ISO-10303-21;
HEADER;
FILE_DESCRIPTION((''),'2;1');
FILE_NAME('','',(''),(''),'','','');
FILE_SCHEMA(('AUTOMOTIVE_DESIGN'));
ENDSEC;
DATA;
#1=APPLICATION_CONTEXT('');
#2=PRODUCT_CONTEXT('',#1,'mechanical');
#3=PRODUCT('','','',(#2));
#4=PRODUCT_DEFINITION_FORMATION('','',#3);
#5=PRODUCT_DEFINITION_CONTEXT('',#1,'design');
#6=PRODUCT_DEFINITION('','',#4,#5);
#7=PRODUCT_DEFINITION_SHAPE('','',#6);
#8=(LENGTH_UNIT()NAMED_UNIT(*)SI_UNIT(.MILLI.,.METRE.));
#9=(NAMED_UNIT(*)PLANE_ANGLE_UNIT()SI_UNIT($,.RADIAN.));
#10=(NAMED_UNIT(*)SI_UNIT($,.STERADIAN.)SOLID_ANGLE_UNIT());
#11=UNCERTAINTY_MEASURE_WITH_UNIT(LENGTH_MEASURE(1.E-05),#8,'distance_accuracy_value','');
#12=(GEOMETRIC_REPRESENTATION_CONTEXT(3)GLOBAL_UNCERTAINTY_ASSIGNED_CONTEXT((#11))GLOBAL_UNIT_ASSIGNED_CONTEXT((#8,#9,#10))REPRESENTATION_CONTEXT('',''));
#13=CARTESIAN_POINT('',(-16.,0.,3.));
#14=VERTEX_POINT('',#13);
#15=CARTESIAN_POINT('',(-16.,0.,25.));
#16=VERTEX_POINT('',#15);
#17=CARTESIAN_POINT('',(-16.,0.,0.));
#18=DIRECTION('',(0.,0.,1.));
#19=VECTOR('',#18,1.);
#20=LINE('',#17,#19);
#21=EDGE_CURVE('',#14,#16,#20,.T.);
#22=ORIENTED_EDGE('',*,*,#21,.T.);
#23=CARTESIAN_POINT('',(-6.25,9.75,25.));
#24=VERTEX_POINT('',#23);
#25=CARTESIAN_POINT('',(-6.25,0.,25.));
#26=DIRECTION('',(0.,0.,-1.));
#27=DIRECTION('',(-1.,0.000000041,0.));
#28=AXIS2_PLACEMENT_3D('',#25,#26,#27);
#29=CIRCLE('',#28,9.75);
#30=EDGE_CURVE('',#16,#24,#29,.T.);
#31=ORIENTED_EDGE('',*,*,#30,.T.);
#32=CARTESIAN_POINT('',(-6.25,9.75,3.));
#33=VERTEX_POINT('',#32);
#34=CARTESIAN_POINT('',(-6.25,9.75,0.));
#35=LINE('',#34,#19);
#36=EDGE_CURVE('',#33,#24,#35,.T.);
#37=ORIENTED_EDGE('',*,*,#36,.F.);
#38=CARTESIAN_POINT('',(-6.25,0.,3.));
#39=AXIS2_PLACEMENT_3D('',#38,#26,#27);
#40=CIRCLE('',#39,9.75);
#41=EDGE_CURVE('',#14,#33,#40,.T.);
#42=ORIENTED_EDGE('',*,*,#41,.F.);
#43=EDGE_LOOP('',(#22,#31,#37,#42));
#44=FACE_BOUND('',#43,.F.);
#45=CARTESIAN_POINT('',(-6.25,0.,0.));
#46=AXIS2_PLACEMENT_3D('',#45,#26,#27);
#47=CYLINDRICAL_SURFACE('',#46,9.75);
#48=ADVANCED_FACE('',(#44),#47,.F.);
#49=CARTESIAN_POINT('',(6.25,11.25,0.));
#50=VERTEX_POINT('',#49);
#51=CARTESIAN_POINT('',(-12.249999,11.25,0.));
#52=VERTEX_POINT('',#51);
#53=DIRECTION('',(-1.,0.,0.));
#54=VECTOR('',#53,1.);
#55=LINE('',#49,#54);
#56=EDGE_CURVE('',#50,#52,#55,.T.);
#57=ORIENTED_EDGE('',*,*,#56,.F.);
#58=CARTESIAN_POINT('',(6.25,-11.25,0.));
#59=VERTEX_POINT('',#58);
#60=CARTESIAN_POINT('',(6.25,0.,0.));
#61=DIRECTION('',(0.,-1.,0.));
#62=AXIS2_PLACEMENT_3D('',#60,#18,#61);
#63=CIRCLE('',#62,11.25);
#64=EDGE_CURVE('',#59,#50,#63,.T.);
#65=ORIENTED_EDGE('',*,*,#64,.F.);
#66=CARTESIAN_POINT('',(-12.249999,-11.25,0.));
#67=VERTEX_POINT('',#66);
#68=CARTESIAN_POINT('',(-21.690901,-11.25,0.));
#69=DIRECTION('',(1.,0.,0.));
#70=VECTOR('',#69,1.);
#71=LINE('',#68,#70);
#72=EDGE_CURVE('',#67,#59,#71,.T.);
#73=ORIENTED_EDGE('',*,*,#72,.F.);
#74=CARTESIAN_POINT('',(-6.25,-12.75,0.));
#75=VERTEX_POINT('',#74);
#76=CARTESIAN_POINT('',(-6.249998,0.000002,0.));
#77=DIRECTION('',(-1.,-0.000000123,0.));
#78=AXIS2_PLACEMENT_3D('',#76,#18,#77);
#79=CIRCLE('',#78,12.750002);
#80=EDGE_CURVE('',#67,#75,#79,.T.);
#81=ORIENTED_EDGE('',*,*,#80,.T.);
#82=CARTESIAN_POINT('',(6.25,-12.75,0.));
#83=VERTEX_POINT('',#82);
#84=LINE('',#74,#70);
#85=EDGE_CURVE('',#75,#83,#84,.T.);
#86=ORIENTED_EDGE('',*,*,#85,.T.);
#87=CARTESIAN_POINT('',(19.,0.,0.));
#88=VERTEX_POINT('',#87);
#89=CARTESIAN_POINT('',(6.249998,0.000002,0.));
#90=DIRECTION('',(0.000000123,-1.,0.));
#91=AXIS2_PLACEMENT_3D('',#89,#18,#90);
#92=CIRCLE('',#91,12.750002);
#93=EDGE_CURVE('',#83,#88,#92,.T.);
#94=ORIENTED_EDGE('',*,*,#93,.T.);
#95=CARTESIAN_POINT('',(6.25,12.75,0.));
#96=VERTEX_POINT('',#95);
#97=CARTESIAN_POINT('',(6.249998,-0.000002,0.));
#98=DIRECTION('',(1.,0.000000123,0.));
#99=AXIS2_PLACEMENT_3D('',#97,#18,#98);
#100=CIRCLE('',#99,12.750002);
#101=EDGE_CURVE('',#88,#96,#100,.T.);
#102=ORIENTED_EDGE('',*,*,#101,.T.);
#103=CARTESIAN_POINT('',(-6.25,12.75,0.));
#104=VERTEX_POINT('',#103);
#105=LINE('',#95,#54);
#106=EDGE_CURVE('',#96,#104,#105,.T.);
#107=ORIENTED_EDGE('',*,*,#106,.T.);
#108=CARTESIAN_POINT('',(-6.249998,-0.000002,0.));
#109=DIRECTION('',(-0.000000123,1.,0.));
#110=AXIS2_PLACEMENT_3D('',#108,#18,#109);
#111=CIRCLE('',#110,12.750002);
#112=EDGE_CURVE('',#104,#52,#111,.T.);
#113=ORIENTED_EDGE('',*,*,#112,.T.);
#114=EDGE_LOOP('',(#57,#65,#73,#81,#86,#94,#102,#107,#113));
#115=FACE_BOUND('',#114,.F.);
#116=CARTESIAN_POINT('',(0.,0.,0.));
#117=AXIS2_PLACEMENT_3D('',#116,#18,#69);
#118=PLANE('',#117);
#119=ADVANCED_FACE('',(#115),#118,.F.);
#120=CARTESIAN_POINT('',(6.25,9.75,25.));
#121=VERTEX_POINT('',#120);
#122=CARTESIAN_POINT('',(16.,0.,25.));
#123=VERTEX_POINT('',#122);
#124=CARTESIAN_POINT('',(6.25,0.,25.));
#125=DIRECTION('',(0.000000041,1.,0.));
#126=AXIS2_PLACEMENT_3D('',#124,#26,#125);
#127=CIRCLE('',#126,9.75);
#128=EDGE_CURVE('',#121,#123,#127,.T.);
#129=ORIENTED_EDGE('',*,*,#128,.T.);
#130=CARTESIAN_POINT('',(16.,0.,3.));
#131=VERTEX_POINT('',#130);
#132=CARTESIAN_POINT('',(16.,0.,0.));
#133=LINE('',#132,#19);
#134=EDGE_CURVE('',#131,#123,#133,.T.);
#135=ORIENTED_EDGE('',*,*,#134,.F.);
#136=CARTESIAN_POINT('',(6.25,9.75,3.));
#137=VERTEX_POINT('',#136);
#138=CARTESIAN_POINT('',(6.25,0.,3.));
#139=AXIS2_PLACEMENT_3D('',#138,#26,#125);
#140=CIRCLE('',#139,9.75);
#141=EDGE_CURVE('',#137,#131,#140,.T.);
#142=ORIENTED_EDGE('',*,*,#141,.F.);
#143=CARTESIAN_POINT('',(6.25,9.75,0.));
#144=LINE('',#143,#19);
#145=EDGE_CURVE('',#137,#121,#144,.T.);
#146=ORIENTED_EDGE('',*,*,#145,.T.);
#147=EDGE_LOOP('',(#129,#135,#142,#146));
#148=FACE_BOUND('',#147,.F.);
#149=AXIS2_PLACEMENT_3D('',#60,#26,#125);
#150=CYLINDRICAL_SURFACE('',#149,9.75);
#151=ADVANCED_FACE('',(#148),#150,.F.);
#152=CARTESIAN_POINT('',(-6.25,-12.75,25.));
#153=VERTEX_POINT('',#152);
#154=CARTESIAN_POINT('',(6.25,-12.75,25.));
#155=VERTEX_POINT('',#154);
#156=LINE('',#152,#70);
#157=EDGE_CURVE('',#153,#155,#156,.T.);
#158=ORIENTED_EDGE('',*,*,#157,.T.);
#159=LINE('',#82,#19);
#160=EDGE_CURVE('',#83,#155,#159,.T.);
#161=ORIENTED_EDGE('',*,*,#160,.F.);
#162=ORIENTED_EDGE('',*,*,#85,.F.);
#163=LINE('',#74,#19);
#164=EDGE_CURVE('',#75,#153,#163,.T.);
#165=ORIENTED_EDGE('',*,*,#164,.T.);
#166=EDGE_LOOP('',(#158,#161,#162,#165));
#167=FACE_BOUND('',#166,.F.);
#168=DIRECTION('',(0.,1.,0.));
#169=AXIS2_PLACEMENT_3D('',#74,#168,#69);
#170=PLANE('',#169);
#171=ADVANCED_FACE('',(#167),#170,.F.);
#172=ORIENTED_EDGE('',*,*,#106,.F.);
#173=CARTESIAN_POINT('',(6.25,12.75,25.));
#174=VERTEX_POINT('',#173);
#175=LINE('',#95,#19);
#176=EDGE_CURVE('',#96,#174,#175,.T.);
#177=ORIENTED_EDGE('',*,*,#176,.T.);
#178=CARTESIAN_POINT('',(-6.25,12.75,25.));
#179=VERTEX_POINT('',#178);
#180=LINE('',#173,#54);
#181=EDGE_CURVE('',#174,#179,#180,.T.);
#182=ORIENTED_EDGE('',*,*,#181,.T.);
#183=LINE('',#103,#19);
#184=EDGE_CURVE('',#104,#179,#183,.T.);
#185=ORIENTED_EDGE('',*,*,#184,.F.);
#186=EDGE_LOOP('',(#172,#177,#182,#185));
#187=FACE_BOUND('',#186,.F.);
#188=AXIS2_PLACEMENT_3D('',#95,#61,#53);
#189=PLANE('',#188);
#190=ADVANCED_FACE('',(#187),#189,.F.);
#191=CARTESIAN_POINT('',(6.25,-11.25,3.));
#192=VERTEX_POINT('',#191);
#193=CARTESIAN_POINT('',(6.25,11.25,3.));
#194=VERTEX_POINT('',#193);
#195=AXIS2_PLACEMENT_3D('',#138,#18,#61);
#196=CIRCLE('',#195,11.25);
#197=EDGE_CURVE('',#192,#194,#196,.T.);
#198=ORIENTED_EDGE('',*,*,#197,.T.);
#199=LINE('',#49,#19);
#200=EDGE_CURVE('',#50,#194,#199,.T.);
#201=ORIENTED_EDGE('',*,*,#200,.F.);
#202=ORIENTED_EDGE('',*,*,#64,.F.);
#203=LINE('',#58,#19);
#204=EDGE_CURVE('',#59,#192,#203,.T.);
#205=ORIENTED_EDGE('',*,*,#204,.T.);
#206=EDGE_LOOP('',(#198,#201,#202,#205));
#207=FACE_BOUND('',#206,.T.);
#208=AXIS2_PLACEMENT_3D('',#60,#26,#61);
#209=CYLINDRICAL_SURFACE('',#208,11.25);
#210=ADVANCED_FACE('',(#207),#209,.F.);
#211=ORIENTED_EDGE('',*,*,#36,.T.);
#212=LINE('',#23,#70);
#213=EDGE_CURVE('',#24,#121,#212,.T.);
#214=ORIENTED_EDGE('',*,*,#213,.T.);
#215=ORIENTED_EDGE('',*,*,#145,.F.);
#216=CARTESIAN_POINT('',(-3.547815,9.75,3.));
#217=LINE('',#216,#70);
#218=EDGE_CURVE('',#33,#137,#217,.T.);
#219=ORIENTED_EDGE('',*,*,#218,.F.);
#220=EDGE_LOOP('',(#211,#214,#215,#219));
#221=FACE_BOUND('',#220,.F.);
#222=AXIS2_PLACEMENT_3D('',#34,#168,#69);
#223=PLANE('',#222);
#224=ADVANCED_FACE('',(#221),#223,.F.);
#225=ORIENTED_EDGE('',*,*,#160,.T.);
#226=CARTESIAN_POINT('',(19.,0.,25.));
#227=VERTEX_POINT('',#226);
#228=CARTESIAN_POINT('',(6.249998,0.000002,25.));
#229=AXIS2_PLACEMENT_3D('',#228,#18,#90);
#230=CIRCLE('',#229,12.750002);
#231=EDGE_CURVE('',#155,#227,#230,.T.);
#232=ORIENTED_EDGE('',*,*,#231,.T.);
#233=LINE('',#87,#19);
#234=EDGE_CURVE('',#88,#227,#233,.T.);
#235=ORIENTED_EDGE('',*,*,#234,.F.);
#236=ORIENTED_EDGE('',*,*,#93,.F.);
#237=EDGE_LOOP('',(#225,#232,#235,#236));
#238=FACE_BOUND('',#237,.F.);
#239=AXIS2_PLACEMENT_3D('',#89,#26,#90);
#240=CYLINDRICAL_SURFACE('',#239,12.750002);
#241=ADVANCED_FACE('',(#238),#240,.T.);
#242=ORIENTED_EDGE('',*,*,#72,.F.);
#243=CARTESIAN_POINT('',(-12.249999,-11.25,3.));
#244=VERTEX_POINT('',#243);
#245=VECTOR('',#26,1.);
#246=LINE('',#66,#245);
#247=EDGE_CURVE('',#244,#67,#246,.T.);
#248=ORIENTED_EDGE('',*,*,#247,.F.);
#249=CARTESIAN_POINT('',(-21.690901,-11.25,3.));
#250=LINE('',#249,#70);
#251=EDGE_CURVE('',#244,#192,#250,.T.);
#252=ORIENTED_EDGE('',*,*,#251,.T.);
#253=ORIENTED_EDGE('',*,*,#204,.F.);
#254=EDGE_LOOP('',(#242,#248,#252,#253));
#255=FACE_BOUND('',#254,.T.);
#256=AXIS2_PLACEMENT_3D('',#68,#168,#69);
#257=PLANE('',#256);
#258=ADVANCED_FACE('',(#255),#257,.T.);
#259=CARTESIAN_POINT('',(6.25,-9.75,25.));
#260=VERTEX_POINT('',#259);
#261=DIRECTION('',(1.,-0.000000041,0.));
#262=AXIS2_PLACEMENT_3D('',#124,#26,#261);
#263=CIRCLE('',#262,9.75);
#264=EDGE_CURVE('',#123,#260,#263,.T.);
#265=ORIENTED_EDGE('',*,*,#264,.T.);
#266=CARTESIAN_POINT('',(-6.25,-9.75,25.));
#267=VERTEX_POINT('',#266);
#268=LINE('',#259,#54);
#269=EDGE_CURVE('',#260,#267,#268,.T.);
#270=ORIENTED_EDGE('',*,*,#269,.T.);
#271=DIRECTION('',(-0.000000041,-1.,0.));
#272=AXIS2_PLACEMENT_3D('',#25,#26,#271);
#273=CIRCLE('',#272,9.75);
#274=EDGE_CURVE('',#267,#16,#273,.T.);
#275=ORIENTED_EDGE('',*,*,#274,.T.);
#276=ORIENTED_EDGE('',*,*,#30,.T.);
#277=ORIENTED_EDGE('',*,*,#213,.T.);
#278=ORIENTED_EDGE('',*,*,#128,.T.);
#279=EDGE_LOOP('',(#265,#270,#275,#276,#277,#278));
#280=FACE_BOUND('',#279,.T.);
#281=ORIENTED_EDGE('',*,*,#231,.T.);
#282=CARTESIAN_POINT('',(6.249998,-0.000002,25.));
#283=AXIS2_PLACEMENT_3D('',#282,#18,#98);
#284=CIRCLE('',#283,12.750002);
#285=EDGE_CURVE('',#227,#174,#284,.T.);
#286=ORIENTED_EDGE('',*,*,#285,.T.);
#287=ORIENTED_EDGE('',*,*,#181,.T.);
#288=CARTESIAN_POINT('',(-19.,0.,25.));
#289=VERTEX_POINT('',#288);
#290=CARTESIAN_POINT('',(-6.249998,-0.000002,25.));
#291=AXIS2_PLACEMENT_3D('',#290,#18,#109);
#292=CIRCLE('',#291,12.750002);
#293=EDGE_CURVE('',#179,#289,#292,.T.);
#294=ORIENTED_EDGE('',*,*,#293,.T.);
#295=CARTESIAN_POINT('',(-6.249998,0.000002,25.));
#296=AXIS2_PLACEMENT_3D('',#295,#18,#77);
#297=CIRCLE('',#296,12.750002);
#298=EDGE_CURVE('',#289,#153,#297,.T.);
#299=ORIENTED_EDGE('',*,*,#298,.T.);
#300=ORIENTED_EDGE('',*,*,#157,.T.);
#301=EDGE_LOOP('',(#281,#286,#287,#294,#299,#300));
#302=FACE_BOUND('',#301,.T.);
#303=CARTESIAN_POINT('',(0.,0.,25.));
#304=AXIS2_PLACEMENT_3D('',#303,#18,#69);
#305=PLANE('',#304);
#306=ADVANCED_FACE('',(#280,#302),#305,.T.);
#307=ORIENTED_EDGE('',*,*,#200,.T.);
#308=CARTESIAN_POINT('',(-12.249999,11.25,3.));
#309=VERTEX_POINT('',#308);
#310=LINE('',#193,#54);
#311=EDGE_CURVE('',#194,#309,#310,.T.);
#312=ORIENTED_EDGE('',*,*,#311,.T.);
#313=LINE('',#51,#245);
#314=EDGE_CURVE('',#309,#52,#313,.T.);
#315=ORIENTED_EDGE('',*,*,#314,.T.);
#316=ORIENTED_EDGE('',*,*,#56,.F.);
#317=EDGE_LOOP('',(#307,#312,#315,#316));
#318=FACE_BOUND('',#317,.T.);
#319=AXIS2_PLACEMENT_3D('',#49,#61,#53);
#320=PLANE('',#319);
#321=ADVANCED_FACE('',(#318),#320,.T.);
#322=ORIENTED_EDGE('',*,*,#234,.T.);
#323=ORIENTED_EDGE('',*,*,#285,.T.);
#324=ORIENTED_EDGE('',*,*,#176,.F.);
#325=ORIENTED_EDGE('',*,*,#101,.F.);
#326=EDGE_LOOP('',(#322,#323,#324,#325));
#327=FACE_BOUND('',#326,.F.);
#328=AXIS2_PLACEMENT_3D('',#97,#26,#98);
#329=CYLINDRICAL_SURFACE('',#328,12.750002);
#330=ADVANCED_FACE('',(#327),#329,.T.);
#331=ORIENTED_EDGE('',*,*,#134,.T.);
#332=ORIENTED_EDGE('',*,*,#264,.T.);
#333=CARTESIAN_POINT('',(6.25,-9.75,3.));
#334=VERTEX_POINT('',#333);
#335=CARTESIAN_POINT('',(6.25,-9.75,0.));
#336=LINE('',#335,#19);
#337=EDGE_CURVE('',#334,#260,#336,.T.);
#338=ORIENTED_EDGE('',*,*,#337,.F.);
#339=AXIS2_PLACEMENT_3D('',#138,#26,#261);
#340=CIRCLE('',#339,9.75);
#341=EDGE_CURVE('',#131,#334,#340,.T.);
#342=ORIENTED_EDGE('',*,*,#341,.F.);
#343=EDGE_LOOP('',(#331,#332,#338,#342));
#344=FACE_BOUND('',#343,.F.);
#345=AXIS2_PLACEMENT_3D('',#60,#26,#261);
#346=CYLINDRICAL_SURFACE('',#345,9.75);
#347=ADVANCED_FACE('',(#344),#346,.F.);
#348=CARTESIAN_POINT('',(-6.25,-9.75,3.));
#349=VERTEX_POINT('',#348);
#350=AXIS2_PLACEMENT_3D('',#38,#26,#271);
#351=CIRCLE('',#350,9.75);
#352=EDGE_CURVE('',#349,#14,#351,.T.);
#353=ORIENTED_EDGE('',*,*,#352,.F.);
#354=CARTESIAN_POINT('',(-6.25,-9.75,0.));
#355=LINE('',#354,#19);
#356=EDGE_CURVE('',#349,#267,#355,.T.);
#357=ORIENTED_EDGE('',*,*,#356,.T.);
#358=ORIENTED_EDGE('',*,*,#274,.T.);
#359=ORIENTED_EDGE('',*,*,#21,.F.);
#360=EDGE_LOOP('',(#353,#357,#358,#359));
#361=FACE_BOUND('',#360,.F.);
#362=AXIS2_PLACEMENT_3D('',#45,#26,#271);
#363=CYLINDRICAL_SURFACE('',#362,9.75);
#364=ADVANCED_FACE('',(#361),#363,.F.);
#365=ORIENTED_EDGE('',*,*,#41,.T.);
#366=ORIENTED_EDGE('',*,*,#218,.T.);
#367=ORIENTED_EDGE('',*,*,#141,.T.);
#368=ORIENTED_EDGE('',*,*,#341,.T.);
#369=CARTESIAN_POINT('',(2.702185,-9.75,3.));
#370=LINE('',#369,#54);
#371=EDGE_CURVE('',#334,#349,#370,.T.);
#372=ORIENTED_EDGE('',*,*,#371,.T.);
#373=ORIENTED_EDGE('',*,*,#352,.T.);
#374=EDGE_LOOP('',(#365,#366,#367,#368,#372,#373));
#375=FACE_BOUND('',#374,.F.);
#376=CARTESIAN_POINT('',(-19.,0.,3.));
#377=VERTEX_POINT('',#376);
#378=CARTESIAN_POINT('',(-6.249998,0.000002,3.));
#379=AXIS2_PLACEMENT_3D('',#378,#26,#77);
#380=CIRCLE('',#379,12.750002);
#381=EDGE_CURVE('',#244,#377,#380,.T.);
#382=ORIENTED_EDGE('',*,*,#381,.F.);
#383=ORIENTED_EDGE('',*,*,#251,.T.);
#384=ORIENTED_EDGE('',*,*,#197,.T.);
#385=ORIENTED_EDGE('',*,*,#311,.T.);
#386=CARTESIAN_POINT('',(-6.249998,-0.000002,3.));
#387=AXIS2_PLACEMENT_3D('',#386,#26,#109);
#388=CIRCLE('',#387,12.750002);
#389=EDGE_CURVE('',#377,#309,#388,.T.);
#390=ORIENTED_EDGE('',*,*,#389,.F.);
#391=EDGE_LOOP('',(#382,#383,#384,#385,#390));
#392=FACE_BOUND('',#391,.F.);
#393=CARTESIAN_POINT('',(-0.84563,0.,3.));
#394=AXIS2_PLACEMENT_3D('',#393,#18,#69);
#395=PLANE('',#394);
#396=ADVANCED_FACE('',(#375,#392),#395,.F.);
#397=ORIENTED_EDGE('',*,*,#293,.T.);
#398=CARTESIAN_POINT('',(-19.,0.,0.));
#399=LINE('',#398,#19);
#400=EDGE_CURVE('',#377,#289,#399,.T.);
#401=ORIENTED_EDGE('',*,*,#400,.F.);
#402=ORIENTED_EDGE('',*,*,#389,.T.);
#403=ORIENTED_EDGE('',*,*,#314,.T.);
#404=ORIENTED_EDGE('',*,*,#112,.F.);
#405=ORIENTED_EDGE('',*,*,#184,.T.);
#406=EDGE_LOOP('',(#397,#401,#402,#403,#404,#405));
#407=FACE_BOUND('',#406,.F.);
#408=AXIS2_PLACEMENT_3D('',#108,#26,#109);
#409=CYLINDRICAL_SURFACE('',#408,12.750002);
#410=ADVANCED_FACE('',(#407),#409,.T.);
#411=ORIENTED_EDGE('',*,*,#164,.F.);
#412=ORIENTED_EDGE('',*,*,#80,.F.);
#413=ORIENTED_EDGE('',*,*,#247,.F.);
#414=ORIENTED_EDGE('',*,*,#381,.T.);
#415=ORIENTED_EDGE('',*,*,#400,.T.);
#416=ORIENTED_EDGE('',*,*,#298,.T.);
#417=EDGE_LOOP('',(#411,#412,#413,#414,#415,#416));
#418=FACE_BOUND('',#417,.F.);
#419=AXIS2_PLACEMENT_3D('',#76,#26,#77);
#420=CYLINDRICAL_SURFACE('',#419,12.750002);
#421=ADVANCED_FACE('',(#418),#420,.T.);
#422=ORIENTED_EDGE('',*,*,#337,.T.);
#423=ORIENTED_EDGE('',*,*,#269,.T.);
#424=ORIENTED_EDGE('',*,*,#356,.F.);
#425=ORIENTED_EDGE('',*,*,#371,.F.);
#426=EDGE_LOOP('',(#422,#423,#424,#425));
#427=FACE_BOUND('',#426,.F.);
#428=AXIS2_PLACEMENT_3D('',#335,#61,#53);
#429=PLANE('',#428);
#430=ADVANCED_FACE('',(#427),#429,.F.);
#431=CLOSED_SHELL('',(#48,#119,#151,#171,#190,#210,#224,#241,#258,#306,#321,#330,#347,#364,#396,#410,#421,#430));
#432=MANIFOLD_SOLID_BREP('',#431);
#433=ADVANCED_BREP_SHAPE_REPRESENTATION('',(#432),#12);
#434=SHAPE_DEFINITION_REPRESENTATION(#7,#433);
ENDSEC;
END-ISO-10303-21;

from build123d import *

# Parameters (mm, degrees)
F2_DEPTH = 25
F4_DEPTH = 3


with BuildPart() as f2:
    # F1 (on Top) → F2 (new body)
    with BuildSketch(Plane.XY):
        with BuildLine():
            ThreePointArc((19, 0), (15.265611, 9.015611), (6.25, 12.75))
            Line((6.25, 12.75), (-6.25, 12.75))
            ThreePointArc((-6.25, 12.75), (-15.265611, 9.015611), (-19, 0))
            ThreePointArc((-19, 0), (-15.265611, -9.015611), (-6.25, -12.75))
            Line((-6.25, -12.75), (6.25, -12.75))
            ThreePointArc((6.25, -12.75), (15.265611, -9.015611), (19, 0))
        make_face()
        with BuildLine():
            ThreePointArc((16, 0), (13.144291, -6.894291), (6.25, -9.75))
            Line((6.25, -9.75), (-6.25, -9.75))
            ThreePointArc((-6.25, -9.75), (-13.144291, -6.894291), (-16, 0))
            ThreePointArc((-16, 0), (-13.144291, 6.894291), (-6.25, 9.75))
            Line((-6.25, 9.75), (6.25, 9.75))
            ThreePointArc((6.25, 9.75), (13.144291, 6.894291), (16, 0))
        make_face(mode=Mode.SUBTRACT)
    extrude(amount=F2_DEPTH)

    # F3 (on Top) → F4 (cut)
    with BuildSketch(Plane.XY):
        with BuildLine():
            ThreePointArc((6.25, 9.75), (16, 0), (6.25, -9.75))
            Line((6.25, -9.75), (-6.25, -9.75))
            Line((-6.25, -9.75), (-21.690901, -9.75))
            Line((-21.690901, -9.75), (-21.690901, -11.25))
            Line((-21.690901, -11.25), (-6.25, -11.25))
            Line((-6.25, -11.25), (6.25, -11.25))
            ThreePointArc((6.25, -11.25), (17.5, 0), (6.25, 11.25))
            Line((6.25, 11.25), (-21.690901, 11.25))
            Line((-21.690901, 11.25), (-21.690901, 9.75))
            Line((-21.690901, 9.75), (6.25, 9.75))
        make_face()
        with BuildLine():
            Line((-6.25, -9.75), (6.25, -9.75))
            ThreePointArc((6.25, -9.75), (16, 0), (6.25, 9.75))
            Line((6.25, 9.75), (-21.690901, 9.75))
            Line((-21.690901, 9.75), (-21.690901, -9.75))
            Line((-21.690901, -9.75), (-6.25, -9.75))
        make_face()
    extrude(amount=F4_DEPTH, mode=Mode.SUBTRACT)


solid = f2.part
